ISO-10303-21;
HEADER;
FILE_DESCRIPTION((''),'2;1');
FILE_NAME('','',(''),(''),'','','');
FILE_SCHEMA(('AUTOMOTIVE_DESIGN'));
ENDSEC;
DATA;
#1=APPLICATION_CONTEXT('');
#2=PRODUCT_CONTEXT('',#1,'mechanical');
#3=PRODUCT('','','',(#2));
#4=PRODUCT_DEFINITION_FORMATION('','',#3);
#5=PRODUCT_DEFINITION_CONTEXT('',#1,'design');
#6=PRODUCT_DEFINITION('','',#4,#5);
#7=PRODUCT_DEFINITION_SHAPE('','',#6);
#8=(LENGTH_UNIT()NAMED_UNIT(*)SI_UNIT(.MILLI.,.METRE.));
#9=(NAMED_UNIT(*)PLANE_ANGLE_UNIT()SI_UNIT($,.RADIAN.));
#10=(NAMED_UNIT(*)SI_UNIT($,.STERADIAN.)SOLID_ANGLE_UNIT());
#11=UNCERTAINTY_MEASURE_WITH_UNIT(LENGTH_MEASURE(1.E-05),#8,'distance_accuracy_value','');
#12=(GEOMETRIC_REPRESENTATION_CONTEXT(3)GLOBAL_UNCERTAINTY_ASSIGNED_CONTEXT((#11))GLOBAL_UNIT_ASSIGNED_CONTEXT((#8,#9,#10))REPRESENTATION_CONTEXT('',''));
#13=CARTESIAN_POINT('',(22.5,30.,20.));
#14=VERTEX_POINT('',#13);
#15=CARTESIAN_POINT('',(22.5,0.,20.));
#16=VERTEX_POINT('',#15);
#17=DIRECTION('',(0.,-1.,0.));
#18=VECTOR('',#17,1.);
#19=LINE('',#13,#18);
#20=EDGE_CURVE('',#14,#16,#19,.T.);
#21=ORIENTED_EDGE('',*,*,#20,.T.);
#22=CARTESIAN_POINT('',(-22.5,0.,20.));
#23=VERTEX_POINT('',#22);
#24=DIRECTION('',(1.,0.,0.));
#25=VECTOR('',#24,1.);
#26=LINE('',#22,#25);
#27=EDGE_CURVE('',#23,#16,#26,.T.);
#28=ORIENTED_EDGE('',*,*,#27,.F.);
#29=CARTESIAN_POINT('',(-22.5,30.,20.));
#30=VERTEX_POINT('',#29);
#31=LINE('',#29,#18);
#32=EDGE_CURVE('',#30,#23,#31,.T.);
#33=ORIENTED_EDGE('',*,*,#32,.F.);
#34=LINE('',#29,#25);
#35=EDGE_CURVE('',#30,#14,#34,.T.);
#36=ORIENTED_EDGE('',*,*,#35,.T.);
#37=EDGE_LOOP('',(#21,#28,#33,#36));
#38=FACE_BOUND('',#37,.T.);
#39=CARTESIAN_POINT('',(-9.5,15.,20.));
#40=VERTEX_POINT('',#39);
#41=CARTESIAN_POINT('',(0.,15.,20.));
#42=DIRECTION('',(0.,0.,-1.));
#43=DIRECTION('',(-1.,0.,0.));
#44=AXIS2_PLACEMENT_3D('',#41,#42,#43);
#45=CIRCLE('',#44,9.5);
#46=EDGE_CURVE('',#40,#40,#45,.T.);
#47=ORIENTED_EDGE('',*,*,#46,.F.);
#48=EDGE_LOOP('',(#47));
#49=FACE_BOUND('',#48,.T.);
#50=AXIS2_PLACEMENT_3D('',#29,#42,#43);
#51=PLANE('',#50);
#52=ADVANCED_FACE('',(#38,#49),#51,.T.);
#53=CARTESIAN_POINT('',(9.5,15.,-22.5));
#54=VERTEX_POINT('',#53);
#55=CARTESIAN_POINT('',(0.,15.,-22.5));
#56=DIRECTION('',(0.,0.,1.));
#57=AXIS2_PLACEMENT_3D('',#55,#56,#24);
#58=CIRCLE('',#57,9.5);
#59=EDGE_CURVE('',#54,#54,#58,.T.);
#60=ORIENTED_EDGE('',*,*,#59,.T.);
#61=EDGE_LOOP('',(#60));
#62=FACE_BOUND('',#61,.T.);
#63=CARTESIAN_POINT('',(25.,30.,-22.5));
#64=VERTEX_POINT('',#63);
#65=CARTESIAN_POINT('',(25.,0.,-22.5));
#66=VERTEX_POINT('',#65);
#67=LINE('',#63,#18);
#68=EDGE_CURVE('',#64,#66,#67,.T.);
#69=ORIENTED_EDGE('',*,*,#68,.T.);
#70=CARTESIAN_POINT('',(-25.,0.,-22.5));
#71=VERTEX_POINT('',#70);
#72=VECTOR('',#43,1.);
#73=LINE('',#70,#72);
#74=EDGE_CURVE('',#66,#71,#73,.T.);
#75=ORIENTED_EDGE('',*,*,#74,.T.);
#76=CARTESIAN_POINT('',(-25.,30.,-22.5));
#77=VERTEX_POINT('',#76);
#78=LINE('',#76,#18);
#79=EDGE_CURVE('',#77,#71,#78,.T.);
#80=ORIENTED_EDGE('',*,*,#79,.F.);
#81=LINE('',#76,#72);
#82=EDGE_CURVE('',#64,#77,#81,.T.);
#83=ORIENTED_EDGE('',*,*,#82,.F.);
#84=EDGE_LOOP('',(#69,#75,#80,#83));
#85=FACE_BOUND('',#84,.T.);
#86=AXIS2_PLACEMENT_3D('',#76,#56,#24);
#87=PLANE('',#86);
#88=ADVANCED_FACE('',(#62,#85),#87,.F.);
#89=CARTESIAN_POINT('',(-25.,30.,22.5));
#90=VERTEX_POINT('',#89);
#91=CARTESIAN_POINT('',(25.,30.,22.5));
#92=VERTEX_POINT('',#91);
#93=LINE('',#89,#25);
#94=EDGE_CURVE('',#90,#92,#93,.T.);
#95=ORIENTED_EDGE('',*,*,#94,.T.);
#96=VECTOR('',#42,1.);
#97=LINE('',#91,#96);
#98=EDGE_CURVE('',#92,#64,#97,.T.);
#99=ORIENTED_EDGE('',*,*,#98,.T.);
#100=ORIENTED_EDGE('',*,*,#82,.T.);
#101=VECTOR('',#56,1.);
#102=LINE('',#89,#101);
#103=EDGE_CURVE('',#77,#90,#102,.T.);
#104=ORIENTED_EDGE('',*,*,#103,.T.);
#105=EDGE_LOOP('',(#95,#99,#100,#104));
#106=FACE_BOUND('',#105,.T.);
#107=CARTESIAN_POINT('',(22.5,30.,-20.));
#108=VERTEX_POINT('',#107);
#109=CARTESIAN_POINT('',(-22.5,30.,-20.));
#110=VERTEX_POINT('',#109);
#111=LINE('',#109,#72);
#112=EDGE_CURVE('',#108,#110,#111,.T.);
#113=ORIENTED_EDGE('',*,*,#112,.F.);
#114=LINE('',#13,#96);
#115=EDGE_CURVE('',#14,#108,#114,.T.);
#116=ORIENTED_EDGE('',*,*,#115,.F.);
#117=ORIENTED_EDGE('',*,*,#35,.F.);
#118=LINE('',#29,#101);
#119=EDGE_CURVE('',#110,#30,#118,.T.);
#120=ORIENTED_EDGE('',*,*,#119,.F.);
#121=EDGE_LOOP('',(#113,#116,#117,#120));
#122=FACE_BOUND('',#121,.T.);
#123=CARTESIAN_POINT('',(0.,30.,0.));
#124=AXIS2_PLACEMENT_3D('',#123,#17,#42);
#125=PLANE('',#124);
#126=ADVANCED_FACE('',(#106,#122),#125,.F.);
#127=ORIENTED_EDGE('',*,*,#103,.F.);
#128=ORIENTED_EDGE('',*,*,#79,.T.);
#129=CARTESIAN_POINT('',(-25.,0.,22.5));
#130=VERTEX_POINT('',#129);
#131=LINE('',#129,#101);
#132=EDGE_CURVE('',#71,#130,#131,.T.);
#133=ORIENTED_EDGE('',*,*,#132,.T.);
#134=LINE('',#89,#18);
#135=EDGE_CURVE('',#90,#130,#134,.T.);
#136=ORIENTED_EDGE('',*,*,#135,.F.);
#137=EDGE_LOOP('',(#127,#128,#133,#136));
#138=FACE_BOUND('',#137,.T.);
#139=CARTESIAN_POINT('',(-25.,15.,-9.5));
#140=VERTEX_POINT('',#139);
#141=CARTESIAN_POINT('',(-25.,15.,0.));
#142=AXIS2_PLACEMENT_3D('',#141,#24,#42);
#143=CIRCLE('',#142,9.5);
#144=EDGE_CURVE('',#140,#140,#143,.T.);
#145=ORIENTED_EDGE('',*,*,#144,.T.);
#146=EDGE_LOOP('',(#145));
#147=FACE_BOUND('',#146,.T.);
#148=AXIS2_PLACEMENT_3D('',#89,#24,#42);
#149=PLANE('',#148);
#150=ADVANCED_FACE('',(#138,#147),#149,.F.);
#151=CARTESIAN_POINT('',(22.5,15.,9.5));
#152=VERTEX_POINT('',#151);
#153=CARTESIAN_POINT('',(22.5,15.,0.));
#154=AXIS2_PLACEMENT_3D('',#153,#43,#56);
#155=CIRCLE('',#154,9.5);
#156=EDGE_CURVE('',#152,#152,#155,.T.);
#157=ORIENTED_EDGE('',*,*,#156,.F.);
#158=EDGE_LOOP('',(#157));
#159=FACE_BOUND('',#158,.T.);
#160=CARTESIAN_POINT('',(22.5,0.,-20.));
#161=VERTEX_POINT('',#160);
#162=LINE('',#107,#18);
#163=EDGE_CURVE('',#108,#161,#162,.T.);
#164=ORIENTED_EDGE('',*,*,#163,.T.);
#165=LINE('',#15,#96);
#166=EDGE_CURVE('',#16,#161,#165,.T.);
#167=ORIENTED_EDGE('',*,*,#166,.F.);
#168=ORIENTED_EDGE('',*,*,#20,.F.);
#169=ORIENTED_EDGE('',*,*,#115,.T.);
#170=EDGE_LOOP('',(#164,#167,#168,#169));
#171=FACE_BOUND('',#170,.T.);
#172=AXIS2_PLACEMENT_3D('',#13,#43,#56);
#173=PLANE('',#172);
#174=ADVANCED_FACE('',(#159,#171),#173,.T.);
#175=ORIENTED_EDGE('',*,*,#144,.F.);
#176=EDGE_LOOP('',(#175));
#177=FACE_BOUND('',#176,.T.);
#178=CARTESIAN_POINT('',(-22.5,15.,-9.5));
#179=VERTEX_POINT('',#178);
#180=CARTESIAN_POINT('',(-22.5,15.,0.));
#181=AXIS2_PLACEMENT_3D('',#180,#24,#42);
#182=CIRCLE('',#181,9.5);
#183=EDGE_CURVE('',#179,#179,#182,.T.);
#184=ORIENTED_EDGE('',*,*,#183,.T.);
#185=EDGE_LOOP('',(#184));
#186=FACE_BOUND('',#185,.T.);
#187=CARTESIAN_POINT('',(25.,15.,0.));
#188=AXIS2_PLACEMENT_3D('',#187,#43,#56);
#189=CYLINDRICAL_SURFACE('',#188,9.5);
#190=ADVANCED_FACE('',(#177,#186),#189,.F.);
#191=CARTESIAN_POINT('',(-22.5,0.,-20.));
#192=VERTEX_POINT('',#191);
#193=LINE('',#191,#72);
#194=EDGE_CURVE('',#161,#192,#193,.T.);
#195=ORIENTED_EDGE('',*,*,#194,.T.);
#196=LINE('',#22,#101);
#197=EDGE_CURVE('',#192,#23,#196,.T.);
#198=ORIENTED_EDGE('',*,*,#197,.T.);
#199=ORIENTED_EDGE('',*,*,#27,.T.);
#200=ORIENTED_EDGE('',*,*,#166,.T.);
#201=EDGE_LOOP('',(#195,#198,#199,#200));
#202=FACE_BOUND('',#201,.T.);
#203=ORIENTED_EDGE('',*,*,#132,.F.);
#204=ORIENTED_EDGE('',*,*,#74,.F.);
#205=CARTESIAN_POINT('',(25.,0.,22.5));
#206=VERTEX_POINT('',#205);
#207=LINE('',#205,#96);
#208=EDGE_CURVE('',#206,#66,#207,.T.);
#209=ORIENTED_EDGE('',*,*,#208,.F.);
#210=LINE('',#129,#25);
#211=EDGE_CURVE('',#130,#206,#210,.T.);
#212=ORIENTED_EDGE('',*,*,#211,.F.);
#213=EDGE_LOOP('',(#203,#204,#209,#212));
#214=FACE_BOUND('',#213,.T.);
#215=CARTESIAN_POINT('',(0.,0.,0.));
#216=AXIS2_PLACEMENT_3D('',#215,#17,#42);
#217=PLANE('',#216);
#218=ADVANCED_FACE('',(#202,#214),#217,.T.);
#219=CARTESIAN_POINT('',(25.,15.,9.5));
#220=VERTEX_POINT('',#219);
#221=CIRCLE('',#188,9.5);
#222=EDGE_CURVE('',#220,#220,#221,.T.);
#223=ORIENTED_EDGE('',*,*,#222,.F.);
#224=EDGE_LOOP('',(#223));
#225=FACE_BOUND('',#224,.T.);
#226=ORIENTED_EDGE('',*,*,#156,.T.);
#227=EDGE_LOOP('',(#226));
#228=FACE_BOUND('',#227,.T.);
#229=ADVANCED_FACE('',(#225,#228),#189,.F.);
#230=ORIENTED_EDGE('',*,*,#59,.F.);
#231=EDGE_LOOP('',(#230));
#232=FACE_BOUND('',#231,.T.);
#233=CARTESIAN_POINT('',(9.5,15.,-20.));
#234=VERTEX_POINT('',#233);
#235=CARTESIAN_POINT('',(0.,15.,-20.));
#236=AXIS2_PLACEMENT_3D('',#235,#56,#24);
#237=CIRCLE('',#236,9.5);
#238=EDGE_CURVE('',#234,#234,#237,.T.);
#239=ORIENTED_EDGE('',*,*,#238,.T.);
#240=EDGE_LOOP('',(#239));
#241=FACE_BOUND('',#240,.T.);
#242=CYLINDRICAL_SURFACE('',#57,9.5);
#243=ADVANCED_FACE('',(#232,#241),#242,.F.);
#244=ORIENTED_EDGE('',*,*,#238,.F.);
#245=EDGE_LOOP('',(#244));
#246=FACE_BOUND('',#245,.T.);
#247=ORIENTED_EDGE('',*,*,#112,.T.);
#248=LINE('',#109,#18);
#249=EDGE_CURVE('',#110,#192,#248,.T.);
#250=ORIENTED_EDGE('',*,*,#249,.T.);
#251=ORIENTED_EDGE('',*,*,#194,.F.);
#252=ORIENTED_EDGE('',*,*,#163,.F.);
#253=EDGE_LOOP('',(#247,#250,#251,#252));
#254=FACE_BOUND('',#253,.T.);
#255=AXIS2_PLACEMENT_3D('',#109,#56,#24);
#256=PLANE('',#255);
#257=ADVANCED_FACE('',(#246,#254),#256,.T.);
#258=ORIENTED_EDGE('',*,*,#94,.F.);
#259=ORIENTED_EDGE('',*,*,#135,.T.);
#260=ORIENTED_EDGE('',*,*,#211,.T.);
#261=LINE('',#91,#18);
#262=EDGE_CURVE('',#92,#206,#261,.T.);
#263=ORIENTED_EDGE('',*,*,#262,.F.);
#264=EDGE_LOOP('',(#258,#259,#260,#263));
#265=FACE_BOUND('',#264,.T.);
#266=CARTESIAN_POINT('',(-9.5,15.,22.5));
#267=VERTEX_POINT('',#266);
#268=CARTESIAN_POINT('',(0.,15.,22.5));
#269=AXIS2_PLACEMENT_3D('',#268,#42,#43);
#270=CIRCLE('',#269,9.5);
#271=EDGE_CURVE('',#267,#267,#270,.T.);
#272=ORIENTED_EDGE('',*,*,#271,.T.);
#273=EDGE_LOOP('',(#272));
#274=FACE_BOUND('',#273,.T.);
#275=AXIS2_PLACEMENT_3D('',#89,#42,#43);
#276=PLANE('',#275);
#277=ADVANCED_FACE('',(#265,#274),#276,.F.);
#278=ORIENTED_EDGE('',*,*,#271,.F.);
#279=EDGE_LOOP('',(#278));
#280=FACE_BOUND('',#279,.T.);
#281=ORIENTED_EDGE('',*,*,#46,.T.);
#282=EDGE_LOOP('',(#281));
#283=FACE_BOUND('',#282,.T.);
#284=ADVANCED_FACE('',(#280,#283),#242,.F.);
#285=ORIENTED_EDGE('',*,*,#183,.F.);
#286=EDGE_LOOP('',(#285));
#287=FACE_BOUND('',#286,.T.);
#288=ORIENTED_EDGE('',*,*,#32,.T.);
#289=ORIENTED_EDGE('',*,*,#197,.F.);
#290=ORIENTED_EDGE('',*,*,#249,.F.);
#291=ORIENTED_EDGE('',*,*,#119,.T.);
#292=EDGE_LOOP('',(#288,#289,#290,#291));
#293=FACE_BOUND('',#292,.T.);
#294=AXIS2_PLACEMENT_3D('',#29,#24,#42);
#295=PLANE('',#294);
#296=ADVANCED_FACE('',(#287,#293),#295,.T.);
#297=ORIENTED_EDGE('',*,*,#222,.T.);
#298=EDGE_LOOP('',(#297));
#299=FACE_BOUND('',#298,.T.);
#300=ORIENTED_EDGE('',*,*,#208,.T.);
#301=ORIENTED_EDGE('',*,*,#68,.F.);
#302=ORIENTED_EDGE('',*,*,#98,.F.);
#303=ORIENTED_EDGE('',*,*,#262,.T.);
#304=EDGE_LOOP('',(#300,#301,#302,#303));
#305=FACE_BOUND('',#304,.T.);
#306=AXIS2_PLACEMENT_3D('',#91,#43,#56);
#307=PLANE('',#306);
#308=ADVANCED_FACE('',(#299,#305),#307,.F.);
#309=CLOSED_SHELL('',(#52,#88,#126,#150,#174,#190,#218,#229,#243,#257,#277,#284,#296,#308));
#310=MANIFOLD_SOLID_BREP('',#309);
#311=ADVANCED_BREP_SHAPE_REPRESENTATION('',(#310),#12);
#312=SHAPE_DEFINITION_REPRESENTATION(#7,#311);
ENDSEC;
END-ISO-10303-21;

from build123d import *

# Parameters (mm, degrees)
SKETCH2_W               = 50
SKETCH2_H               = 45
SKETCH2_W_2             = 45
SKETCH2_H_2             = 40
BOSS_EXTRUDE1_DEPTH     = 30
SKETCH4_R               = 9.5
CUT_EXTRUDE1_DEPTH      = 1
CUT_EXTRUDE1_DEPTH_BACK = 46
SKETCH5_R               = 9.5
CUT_EXTRUDE2_DEPTH      = 1
CUT_EXTRUDE2_DEPTH_BACK = 51


with BuildPart() as part:
    # Sketch2 → Boss-Extrude1 (new body)
    with BuildSketch(Plane(origin=(0, 0, 0), x_dir=(1, 0, 0), z_dir=(0, 1, 0))):
        Rectangle(SKETCH2_W, SKETCH2_H)
        Rectangle(SKETCH2_W_2, SKETCH2_H_2, mode=Mode.SUBTRACT)
    extrude(amount=BOSS_EXTRUDE1_DEPTH)

    # Sketch4 → Cut-Extrude1 (cut, two sides)
    with BuildSketch(Plane.XY.offset(22.5)) as cut_extrude1_sk:
        with Locations((0, 15)):
            Circle(SKETCH4_R)
    extrude(amount=CUT_EXTRUDE1_DEPTH, mode=Mode.SUBTRACT)
    extrude(cut_extrude1_sk.sketch, amount=-CUT_EXTRUDE1_DEPTH_BACK, mode=Mode.SUBTRACT)

    # Sketch5 → Cut-Extrude2 (cut, two sides)
    with BuildSketch(Plane.ZY.offset(25)) as cut_extrude2_sk:
        with Locations((0, 15)):
            Circle(SKETCH5_R)
    extrude(amount=CUT_EXTRUDE2_DEPTH, mode=Mode.SUBTRACT)
    extrude(cut_extrude2_sk.sketch, amount=-CUT_EXTRUDE2_DEPTH_BACK, mode=Mode.SUBTRACT)


solid = part.part
